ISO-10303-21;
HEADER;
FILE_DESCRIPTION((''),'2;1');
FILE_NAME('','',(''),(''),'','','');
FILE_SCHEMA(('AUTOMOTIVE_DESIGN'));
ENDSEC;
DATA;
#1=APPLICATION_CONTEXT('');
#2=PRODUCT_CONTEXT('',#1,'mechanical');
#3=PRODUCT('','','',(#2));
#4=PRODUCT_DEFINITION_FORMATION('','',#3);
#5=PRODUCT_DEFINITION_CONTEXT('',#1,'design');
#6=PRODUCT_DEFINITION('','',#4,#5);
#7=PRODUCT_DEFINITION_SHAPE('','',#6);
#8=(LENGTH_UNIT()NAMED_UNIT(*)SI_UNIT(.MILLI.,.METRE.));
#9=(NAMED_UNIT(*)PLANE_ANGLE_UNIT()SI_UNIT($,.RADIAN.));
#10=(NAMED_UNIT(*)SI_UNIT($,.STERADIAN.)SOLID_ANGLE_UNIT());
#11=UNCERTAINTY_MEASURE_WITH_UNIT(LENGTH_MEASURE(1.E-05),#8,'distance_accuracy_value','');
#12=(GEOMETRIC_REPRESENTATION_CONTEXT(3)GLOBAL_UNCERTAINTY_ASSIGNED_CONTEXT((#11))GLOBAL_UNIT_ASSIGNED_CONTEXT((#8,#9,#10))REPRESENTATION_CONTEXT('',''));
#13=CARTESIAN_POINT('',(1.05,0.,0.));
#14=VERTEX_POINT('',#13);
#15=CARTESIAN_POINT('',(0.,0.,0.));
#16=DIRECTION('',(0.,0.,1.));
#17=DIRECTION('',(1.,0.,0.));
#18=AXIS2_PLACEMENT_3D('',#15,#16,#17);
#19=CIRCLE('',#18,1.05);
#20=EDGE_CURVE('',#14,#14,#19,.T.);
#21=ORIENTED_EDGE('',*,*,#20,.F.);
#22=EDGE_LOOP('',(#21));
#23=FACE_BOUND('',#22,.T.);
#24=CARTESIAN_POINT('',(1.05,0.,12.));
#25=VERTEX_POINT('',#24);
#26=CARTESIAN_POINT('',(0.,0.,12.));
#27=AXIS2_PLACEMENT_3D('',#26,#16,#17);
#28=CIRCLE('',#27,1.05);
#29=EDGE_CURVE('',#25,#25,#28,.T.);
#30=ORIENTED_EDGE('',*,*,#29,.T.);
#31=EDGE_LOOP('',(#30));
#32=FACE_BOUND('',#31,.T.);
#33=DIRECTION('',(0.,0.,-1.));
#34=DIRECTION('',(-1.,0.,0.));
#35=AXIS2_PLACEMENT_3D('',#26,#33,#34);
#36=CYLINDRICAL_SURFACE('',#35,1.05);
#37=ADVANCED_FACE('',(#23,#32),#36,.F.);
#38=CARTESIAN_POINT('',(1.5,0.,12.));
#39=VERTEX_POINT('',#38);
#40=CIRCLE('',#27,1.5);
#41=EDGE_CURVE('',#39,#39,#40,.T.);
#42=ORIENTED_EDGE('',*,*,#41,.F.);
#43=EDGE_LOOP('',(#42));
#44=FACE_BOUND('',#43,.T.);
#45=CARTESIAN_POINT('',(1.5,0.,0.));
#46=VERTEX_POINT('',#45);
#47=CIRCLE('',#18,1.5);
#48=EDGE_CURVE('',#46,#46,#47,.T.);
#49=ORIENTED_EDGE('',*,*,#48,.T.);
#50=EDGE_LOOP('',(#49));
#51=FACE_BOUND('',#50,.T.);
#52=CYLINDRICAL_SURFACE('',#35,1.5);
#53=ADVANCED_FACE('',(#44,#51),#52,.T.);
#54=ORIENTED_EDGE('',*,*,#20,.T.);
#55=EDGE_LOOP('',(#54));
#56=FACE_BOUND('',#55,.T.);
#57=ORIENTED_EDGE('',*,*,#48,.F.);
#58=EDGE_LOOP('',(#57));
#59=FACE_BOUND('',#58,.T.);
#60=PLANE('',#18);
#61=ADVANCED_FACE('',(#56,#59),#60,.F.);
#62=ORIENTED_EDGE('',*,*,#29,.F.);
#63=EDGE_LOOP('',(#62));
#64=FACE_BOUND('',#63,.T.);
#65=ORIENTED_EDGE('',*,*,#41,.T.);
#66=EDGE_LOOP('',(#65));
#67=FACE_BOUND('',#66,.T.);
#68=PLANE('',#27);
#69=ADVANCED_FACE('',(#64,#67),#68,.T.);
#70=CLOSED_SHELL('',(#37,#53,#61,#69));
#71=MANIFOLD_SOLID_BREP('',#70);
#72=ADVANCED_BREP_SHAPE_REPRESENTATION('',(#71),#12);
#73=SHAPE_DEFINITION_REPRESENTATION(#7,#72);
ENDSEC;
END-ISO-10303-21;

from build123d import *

# Parameters (mm, degrees)
SKETCH1_R      = 1.5
SKETCH1_R_2    = 1.05
EXTRUDE1_DEPTH = 12


with BuildPart() as part:
    # Sketch1 → Extrude1 (new body)
    with BuildSketch(Plane.XY):
        Circle(SKETCH1_R)
        Circle(SKETCH1_R_2, mode=Mode.SUBTRACT)
    extrude(amount=EXTRUDE1_DEPTH)


solid = part.part
